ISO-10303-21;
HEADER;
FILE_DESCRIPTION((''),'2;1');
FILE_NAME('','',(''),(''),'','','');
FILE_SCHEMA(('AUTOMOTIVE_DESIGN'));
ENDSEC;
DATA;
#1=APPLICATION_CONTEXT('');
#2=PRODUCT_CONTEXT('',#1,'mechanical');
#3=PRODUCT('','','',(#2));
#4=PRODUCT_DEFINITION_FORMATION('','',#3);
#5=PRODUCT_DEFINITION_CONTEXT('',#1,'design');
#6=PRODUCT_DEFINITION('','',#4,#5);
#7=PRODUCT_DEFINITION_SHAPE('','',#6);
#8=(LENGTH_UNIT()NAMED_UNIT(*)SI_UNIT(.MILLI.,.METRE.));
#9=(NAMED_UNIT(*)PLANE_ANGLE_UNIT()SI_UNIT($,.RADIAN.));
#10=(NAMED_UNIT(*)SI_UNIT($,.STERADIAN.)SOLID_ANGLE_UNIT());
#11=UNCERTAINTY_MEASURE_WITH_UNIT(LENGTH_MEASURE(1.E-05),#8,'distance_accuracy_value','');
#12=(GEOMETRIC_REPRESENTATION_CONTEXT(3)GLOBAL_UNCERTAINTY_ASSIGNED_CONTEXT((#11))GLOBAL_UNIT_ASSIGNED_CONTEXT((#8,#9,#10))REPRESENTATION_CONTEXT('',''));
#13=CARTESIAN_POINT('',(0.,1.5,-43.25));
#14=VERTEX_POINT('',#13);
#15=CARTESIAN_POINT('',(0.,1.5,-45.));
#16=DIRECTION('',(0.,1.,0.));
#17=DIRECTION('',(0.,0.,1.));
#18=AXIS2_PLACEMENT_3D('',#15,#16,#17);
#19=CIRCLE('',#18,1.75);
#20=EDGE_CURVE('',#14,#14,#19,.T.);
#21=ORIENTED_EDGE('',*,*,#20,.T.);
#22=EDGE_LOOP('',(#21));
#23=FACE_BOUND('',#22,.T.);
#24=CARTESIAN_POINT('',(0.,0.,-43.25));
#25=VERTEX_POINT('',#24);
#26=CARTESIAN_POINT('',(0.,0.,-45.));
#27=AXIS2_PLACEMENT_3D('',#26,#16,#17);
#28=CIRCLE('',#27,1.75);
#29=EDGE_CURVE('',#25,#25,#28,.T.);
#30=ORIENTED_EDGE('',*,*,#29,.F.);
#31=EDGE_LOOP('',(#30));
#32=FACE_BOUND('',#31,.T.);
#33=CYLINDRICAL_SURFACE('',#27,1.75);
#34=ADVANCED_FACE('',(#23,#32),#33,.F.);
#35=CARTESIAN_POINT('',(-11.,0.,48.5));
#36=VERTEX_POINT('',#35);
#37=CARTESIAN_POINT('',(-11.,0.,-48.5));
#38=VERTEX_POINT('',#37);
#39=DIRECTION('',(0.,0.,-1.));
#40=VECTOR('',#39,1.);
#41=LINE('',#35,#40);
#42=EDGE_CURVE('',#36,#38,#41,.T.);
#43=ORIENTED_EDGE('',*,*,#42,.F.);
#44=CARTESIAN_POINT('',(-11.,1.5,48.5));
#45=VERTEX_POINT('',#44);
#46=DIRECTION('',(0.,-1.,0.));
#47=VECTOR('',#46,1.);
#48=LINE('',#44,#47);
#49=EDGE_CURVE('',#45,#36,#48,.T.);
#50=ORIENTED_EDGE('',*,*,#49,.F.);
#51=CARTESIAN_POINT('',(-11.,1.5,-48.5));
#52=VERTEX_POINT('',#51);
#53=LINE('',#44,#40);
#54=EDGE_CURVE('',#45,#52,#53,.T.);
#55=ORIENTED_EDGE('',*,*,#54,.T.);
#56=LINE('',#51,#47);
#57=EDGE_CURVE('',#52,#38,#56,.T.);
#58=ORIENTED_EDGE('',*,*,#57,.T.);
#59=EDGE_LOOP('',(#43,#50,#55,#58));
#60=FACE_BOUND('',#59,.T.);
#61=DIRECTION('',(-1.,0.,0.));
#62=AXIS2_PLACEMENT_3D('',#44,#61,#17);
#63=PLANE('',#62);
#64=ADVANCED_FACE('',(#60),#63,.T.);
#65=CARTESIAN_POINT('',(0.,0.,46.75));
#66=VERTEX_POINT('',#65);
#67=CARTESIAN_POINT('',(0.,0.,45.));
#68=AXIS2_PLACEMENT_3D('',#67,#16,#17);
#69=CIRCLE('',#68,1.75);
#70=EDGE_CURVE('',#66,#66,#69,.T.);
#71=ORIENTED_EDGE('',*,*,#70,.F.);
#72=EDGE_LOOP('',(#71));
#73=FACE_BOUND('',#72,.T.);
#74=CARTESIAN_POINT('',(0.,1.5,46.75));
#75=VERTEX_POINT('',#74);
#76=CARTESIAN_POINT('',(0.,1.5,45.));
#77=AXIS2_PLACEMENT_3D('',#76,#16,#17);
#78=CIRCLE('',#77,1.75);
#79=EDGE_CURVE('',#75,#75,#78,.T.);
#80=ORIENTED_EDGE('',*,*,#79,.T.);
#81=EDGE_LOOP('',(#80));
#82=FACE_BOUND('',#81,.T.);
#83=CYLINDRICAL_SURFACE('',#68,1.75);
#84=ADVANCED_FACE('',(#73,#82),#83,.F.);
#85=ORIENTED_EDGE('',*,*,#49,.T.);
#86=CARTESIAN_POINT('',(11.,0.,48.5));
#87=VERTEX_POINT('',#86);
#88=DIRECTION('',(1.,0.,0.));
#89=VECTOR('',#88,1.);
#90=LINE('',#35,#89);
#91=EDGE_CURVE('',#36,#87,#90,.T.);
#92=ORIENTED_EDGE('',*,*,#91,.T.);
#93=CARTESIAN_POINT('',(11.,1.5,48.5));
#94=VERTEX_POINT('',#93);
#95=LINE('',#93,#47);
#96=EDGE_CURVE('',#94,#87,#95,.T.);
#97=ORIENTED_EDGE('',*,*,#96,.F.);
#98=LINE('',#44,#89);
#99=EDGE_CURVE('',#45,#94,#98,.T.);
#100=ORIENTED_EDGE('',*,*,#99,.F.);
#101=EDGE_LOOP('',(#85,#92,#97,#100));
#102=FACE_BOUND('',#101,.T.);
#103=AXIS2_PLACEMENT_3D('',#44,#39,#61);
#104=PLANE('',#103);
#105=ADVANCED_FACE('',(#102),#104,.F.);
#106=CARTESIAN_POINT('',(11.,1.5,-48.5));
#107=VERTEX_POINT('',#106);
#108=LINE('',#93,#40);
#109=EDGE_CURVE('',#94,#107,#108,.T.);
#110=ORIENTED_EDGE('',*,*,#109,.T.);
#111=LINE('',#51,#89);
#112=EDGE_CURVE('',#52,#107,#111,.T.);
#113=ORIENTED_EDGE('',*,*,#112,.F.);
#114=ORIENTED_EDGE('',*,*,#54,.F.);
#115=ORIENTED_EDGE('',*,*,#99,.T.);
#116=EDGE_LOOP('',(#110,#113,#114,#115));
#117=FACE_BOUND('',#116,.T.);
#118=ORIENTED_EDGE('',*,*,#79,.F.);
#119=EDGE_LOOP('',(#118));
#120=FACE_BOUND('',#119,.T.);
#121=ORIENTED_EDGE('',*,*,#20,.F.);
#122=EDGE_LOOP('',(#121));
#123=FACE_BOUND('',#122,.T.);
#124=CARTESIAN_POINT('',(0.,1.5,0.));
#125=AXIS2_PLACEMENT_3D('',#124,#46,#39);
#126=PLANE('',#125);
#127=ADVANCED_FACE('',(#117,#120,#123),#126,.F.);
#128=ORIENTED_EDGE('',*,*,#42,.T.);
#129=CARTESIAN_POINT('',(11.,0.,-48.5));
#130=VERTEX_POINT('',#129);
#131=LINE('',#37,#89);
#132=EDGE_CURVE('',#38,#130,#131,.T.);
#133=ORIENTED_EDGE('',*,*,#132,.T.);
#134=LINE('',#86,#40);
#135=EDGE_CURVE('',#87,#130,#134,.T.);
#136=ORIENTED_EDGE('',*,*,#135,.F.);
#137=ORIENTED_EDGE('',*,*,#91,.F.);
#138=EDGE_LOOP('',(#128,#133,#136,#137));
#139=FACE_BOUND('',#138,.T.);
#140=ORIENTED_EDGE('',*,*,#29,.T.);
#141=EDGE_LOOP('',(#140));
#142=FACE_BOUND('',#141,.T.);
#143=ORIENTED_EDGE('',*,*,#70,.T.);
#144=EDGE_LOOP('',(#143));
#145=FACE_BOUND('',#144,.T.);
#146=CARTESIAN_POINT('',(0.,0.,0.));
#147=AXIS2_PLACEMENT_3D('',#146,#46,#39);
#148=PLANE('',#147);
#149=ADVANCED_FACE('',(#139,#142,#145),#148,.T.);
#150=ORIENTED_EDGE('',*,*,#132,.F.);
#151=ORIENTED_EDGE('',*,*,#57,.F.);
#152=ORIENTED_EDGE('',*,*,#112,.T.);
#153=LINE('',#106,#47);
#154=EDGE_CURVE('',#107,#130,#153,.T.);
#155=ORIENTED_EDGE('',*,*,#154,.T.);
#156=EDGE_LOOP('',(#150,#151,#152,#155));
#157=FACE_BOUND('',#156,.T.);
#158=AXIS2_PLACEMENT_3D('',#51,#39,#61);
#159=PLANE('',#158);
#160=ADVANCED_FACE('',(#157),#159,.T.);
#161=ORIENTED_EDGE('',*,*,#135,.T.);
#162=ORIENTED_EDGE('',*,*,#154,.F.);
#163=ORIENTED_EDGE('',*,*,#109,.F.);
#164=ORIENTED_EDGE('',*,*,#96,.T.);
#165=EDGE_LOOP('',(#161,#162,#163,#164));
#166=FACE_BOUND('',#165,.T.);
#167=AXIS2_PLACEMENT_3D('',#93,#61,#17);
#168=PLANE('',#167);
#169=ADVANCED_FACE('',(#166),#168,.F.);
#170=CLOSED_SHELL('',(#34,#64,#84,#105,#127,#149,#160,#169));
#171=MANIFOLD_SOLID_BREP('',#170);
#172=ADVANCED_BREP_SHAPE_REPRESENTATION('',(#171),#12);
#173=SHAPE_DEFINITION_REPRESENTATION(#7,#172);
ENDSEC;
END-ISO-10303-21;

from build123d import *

# Parameters (mm, degrees)
SKETCH1_W           = 22
SKETCH1_H           = 97
BOSS_EXTRUDE1_DEPTH = 1.5
SKETCH2_R           = 1.75
CUT_EXTRUDE1_DEPTH  = 50.754396791


with BuildPart() as part:
    # Sketch1 → Boss-Extrude1 (new body)
    with BuildSketch(Plane(origin=(0, 0, 0), x_dir=(1, 0, 0), z_dir=(0, 1, 0))):
        Rectangle(SKETCH1_W, SKETCH1_H)
    extrude(amount=BOSS_EXTRUDE1_DEPTH)

    # Sketch2 → Cut-Extrude1 (cut, through all)
    with BuildSketch(Plane(origin=(0, 1.5, 0), x_dir=(1, 0, 0), z_dir=(0, 1, 0))):
        with Locations(Location((0, 45, 0), (0, 0, 270))):
            Circle(SKETCH2_R)
        with Locations(Location((0, -45, 0), (0, 0, 270))):
            Circle(SKETCH2_R)
    extrude(amount=-CUT_EXTRUDE1_DEPTH, mode=Mode.SUBTRACT)


solid = part.part
